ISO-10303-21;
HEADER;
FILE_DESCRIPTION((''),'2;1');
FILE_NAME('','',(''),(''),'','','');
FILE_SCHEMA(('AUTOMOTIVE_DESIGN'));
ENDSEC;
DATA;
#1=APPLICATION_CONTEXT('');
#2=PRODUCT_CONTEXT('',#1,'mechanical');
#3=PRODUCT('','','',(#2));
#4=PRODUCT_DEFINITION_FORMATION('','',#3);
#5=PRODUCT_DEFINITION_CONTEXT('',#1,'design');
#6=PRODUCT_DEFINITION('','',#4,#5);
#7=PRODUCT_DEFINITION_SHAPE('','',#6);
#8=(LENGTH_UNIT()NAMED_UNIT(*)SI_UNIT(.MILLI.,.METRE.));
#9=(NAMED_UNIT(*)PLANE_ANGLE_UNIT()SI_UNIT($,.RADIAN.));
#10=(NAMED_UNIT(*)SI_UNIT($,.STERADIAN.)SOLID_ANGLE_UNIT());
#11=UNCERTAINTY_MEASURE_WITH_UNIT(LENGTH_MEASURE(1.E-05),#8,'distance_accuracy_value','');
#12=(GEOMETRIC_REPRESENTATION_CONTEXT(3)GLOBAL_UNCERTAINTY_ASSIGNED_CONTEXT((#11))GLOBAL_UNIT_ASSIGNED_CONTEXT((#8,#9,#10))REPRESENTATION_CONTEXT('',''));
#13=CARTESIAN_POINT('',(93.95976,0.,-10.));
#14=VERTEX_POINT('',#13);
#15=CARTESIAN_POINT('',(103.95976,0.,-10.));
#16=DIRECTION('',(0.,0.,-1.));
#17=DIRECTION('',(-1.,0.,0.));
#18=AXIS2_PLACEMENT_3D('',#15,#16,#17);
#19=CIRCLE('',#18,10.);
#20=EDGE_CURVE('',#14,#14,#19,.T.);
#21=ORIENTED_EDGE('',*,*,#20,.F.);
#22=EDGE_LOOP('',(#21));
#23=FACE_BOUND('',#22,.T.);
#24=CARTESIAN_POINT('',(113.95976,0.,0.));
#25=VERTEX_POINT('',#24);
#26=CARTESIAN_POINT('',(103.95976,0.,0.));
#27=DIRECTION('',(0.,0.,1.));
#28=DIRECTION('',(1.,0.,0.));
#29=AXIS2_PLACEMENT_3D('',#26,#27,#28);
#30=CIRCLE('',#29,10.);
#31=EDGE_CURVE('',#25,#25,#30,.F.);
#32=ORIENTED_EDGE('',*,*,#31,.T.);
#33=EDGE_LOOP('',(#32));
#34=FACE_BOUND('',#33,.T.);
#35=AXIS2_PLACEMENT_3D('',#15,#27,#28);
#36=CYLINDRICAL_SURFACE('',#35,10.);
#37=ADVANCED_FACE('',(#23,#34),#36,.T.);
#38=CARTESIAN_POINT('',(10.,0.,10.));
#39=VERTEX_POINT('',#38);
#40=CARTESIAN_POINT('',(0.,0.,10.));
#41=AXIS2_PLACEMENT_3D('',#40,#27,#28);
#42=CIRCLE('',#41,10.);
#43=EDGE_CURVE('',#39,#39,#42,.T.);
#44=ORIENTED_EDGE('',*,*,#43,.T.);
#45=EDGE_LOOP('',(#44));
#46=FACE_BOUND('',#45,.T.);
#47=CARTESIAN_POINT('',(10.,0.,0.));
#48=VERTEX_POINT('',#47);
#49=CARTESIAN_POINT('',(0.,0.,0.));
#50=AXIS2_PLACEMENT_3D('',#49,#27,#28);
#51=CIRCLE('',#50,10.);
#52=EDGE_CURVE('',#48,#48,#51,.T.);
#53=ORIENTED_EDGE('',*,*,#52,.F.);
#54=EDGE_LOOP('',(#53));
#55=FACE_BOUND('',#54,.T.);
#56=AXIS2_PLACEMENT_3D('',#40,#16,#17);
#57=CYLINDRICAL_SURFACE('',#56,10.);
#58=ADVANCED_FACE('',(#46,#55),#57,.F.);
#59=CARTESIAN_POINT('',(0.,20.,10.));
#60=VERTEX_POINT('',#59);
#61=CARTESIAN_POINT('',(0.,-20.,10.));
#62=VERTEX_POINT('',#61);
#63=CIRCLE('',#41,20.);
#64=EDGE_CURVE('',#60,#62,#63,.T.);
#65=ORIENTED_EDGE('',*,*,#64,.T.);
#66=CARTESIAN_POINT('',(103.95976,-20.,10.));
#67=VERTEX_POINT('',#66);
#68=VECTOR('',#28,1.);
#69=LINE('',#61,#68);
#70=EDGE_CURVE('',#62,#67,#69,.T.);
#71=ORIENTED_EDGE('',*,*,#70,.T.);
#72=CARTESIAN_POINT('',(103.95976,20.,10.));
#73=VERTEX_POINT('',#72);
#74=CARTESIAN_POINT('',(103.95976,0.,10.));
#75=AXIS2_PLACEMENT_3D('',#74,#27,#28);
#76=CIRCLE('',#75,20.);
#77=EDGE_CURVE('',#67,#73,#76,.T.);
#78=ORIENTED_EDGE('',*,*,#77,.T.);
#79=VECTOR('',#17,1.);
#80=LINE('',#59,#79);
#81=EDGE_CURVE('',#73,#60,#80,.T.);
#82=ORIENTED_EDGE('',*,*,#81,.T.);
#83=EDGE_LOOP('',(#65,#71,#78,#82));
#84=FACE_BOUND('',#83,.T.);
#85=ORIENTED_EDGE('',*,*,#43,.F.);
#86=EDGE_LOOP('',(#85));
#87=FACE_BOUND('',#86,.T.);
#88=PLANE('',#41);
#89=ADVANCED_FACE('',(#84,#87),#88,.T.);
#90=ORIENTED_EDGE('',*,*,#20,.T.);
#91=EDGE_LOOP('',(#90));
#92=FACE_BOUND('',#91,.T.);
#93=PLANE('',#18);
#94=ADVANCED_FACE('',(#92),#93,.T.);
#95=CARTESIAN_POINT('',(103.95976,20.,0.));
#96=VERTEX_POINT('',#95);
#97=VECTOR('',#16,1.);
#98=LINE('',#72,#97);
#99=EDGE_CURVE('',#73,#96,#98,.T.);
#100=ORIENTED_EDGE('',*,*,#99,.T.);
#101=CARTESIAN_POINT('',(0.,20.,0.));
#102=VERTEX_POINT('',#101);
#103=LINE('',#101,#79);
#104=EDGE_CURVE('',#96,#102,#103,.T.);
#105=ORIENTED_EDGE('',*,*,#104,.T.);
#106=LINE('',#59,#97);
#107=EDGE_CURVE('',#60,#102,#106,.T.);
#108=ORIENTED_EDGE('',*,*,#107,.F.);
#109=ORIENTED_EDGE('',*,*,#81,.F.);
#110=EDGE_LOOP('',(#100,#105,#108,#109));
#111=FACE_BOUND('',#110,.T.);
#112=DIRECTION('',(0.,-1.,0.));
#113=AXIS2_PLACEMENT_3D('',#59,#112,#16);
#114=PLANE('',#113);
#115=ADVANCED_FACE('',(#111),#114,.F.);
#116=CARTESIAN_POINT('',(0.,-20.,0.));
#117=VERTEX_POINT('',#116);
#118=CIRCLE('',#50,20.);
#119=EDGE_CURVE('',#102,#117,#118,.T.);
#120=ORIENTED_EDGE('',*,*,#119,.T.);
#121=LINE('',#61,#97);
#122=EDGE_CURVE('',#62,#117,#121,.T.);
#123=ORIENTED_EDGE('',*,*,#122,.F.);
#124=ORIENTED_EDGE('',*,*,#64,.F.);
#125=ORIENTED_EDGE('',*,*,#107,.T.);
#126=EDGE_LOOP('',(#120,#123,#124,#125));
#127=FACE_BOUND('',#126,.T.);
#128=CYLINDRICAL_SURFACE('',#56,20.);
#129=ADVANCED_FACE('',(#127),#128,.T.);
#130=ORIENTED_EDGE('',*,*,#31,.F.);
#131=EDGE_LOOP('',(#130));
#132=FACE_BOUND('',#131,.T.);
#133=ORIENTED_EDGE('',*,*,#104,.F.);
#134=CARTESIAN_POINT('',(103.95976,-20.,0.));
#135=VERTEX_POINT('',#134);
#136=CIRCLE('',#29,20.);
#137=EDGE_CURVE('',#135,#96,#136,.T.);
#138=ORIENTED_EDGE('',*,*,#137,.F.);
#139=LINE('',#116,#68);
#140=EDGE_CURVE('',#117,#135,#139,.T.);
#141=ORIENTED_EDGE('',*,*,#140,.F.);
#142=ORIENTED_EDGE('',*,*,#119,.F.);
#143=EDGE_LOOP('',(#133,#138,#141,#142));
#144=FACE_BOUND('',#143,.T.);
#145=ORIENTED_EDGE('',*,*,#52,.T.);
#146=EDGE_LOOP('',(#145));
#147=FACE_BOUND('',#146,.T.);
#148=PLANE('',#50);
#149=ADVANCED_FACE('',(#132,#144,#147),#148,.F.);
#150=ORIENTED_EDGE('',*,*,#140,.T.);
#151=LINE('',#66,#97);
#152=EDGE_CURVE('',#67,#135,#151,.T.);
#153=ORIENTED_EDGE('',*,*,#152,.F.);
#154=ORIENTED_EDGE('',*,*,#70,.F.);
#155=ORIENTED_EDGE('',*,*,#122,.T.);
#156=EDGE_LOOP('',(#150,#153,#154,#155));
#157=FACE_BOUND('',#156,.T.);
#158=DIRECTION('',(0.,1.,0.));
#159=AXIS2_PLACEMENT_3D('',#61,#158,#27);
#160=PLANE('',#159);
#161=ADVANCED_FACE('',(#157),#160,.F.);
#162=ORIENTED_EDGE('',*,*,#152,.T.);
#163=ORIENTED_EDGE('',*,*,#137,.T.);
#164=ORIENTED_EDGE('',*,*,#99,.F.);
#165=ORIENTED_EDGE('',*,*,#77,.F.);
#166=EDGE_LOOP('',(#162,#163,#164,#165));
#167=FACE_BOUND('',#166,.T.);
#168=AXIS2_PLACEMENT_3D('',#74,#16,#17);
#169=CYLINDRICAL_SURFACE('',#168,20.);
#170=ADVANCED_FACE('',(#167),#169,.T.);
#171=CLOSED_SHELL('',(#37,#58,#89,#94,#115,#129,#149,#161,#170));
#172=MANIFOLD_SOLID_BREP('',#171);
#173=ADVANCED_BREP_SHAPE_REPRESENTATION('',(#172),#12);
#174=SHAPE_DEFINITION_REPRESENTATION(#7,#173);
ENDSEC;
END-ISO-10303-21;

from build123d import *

# Parameters (mm, degrees)
SKETCH_1_R      = 10
EXTRUDE_1_DEPTH = 10
SKETCH_2_R      = 10
EXTRUDE_2_DEPTH = 10


with BuildPart() as part:
    # 스케치1 → 보스-돌출1 (new body)
    with BuildSketch(Plane.XY):
        with BuildLine():
            Line((0, 20), (103.959759811, 20))
            ThreePointArc((103.959759811, 20), (123.959759811, 0), (103.959759811, -20))
            Line((103.959759811, -20), (0, -20))
            ThreePointArc((0, -20), (-20, 0), (0, 20))
        make_face()
        Circle(SKETCH_1_R, mode=Mode.SUBTRACT)
    extrude(amount=EXTRUDE_1_DEPTH)

    # 스케치2 → 보스-돌출2 (add)
    with BuildSketch(Plane(origin=(0, 0, 0), x_dir=(-1, 0, 0), z_dir=(0, 0, -1))):
        with Locations(Location((-103.959759811, 0, 0), (0, 0, 180))):
            Circle(SKETCH_2_R)
    extrude(amount=EXTRUDE_2_DEPTH)


solid = part.part
